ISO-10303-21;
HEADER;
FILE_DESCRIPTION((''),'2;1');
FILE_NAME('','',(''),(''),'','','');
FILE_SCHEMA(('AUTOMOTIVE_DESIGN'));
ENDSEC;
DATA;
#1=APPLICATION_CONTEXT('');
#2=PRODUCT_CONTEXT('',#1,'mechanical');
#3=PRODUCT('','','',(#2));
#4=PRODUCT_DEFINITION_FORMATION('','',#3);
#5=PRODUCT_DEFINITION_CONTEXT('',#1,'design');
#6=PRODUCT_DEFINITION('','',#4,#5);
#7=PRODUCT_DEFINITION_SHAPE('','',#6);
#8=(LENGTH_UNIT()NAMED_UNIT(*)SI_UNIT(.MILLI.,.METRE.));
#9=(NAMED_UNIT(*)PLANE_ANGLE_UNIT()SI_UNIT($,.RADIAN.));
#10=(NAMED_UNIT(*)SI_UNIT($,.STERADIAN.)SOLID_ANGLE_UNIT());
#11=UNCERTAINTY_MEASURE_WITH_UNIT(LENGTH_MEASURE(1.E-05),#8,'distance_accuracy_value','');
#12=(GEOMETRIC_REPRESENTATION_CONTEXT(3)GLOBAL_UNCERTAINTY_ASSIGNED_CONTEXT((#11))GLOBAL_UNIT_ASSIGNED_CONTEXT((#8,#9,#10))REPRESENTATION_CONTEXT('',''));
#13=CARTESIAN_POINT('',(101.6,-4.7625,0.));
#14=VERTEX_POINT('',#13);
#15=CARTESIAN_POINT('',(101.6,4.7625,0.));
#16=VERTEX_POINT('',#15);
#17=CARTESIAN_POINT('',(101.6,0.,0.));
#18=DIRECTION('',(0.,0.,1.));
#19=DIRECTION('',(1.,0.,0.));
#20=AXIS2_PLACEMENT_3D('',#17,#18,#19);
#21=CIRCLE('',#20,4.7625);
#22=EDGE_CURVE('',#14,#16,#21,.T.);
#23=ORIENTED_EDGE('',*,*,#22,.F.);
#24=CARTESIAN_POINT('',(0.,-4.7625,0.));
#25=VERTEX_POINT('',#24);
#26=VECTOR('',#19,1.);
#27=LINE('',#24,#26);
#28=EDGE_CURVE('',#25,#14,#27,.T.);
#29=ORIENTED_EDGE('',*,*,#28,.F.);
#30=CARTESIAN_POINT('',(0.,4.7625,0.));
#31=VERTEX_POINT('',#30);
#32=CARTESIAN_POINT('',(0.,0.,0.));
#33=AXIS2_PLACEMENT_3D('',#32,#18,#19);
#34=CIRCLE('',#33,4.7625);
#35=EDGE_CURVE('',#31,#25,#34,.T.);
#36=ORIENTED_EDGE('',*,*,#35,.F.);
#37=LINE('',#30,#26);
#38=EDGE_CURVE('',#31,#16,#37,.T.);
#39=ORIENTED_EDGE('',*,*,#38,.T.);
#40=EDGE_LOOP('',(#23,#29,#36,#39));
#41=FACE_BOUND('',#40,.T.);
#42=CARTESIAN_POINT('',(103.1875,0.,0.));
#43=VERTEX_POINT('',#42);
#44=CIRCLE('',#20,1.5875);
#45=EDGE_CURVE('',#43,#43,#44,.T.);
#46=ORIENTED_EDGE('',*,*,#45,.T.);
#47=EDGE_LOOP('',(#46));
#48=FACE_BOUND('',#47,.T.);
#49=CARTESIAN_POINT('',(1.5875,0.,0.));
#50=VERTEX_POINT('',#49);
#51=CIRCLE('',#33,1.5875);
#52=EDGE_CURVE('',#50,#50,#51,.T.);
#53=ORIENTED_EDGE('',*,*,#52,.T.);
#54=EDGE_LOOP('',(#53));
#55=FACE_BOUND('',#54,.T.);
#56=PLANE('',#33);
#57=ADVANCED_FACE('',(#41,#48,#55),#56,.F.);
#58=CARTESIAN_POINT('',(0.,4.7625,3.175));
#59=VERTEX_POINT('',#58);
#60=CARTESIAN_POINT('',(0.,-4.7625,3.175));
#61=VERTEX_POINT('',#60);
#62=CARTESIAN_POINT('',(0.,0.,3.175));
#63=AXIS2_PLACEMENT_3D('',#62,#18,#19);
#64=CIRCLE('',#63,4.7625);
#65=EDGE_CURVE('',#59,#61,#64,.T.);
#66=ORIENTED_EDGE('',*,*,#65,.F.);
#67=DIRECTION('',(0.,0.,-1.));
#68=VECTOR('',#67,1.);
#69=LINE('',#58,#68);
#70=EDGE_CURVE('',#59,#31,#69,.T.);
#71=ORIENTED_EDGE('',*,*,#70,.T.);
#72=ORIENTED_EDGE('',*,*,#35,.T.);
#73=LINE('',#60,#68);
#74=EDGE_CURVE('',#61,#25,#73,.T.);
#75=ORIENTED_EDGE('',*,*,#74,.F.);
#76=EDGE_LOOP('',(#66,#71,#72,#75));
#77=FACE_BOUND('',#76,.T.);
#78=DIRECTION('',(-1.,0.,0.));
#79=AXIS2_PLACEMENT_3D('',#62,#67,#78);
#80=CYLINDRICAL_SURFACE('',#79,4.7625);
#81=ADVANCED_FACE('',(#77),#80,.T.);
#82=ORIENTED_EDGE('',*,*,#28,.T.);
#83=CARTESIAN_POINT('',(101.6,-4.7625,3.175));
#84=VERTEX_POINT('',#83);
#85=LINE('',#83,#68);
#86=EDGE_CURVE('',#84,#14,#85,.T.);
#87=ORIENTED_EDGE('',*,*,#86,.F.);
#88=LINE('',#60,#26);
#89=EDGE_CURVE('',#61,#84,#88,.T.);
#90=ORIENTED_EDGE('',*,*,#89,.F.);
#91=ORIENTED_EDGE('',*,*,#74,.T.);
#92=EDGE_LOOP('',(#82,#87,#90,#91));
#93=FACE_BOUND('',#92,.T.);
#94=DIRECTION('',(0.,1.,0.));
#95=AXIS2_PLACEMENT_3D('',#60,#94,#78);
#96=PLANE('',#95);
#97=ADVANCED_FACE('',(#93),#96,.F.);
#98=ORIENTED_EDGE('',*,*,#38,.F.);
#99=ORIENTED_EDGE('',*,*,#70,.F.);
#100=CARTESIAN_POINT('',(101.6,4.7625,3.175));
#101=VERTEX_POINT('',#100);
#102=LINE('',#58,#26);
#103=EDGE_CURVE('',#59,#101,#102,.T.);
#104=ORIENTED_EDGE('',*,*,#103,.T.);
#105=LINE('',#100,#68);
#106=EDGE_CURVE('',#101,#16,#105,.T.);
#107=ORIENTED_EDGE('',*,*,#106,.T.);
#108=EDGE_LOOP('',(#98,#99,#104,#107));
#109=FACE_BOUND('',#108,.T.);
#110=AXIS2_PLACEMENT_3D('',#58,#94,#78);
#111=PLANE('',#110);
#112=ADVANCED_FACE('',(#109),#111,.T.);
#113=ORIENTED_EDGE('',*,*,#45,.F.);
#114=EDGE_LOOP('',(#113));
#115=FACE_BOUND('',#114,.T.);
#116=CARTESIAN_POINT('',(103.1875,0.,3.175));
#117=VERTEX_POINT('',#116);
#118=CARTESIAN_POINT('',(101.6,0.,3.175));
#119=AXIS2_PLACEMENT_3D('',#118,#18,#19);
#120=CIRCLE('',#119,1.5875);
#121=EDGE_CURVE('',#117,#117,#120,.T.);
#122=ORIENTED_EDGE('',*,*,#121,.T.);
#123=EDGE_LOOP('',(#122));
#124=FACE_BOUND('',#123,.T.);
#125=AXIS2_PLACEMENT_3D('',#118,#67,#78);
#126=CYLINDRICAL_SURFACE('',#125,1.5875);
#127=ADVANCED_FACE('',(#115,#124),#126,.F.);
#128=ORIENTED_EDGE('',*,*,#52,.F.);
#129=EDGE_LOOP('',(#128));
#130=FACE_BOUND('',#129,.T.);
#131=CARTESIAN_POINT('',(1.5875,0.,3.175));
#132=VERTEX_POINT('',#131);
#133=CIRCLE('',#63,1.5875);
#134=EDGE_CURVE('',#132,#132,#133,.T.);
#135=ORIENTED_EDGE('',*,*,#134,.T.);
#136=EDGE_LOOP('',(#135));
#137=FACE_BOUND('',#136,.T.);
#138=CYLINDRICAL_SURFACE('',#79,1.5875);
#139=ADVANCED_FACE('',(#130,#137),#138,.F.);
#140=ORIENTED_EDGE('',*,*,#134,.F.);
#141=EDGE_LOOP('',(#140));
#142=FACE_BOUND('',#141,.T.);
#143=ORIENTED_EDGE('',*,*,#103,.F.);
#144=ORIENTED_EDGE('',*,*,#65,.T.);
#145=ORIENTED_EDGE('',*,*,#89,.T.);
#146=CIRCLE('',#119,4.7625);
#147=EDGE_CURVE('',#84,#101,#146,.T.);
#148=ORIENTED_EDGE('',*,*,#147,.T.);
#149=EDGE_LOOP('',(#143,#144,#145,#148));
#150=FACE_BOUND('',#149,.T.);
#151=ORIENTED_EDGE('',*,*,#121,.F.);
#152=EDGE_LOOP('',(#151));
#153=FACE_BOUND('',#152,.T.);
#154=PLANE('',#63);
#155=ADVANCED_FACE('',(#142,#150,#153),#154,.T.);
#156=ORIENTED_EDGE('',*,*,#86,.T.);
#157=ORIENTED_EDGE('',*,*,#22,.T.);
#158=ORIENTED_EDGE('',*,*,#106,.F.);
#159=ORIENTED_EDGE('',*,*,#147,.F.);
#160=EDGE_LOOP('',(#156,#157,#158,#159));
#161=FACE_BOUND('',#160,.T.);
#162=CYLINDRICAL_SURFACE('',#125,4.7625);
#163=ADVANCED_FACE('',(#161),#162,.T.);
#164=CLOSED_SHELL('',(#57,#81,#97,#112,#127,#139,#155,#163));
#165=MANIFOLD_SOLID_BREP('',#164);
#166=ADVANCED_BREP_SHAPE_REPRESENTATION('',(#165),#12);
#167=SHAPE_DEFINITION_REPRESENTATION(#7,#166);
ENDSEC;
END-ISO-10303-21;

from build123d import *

# Parameters (mm, degrees)
SKETCH1_R           = 4.7625
SKETCH1_R_2         = 1.5875
BOSS_EXTRUDE1_DEPTH = 3.175


with BuildPart() as part:
    # Sketch1 → Boss-Extrude1 (new body)
    # profile 1 of 3: a face of its own
    with BuildSketch(Plane.XY):
        with BuildLine():
            Line((101.6, 4.7625), (0, 4.7625))
            ThreePointArc((0, 4.7625), (3.367596045, 3.367596045), (4.7625, 0))
            ThreePointArc((4.7625, 0), (3.367596045, -3.367596045), (0, -4.7625))
            Line((0, -4.7625), (101.6, -4.7625))
            ThreePointArc((101.6, -4.7625), (96.8375, 0), (101.6, 4.7625))
        make_face()
    # profile 2 of 3: a face of its own
    with BuildSketch(Plane.XY):
        Circle(SKETCH1_R)
        Circle(SKETCH1_R_2, mode=Mode.SUBTRACT)
    # profile 3 of 3: a face of its own
    with BuildSketch(Plane.XY):
        with Locations((101.6, 0)):
            Circle(SKETCH1_R)
        with Locations((101.6, 0)):
            Circle(SKETCH1_R_2, mode=Mode.SUBTRACT)
    extrude(amount=BOSS_EXTRUDE1_DEPTH)


solid = part.part
